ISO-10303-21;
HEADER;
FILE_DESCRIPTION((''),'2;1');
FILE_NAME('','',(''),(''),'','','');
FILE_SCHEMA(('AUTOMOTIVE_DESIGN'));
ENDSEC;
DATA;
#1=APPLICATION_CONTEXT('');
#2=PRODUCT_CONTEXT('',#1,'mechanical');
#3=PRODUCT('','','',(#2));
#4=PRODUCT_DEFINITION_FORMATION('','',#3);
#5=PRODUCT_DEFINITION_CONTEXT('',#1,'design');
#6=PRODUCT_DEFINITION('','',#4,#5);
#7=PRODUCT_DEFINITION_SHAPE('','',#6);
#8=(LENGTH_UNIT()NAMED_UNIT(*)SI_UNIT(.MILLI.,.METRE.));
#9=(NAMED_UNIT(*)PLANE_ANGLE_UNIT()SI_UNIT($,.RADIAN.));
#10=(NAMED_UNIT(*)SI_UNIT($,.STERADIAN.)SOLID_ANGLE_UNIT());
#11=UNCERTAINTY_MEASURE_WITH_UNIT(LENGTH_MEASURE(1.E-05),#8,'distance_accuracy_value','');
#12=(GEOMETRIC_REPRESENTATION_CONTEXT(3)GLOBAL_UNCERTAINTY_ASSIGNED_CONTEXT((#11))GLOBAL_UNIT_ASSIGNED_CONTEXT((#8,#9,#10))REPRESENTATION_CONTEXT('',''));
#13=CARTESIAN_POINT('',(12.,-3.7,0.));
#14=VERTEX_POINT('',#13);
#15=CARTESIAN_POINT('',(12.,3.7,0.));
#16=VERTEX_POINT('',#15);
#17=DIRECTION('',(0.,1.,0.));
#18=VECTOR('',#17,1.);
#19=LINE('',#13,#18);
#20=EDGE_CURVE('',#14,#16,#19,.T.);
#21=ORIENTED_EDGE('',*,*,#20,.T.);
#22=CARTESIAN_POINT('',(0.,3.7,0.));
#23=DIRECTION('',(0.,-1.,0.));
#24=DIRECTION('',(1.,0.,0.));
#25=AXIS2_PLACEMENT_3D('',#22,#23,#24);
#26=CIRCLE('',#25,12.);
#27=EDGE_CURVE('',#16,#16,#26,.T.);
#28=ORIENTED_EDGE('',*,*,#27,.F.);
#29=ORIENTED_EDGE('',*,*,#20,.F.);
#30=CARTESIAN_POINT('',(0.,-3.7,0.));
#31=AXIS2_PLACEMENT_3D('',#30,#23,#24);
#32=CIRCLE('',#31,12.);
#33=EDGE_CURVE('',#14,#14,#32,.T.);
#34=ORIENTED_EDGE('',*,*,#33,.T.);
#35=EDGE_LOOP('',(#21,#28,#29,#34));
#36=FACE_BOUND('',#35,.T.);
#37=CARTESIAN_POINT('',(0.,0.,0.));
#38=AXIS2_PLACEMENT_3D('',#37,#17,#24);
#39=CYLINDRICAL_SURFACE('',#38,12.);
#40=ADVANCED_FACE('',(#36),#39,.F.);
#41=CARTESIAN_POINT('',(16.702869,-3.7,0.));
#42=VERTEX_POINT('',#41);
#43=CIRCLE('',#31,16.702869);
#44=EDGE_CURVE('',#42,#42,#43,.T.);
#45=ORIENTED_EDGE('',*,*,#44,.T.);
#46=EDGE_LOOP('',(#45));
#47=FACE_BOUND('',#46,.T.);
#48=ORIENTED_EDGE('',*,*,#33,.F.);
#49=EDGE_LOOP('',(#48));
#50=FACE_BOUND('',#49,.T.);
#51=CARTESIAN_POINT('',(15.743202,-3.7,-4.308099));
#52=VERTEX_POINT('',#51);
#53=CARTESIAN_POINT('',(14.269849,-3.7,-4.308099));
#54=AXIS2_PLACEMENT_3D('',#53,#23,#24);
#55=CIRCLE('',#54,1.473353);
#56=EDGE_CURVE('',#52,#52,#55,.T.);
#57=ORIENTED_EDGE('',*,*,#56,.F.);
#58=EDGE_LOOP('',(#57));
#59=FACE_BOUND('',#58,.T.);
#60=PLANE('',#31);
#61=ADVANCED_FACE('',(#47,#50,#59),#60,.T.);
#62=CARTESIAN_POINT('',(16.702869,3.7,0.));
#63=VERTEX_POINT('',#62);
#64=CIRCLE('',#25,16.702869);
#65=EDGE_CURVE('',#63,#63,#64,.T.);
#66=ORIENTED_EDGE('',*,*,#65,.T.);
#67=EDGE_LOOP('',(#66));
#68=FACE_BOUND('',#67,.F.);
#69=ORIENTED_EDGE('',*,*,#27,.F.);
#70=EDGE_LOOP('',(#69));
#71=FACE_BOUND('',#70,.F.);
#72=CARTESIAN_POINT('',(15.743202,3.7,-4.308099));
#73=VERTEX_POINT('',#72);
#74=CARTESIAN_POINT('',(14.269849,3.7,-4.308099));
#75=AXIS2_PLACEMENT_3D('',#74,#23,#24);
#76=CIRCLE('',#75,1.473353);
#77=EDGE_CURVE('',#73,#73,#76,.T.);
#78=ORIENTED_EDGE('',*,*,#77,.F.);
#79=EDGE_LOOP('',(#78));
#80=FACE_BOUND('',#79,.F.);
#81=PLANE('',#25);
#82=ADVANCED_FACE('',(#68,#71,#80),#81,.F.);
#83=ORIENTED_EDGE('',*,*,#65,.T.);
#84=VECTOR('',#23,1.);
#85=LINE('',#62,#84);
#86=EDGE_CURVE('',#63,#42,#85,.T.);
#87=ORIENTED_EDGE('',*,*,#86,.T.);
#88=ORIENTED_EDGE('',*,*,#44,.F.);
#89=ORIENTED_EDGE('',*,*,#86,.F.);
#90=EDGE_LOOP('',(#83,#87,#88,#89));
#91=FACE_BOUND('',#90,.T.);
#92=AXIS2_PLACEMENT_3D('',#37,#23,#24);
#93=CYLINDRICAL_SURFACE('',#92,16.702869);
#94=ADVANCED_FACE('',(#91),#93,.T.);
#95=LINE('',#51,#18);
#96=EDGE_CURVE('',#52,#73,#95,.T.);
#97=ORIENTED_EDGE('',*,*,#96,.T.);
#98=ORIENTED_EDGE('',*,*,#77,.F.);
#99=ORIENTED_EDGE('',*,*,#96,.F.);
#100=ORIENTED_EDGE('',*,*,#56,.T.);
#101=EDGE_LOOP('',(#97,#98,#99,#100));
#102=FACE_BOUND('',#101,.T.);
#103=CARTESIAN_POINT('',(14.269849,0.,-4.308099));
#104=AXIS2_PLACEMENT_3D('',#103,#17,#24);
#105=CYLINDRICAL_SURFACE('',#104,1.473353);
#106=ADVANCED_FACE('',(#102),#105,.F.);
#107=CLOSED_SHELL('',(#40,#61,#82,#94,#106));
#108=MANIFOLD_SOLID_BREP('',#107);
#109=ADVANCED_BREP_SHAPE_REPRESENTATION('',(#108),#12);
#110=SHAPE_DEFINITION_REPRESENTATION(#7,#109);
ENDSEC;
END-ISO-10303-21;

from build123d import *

# Parameters (mm, degrees)
F0_R     = 16.702869
F0_R_2   = 1.473353
F0_R_3   = 12
F1_DEPTH = 3.7


with BuildPart() as f1:
    # F0 (on Front) → F1 (new body, symmetric)
    with BuildSketch(Plane.XZ):
        Circle(F0_R)
        with Locations((14.269849, -4.308099)):
            Circle(F0_R_2, mode=Mode.SUBTRACT)
        Circle(F0_R_3, mode=Mode.SUBTRACT)
    extrude(amount=F1_DEPTH, both=True)


solid = f1.part
